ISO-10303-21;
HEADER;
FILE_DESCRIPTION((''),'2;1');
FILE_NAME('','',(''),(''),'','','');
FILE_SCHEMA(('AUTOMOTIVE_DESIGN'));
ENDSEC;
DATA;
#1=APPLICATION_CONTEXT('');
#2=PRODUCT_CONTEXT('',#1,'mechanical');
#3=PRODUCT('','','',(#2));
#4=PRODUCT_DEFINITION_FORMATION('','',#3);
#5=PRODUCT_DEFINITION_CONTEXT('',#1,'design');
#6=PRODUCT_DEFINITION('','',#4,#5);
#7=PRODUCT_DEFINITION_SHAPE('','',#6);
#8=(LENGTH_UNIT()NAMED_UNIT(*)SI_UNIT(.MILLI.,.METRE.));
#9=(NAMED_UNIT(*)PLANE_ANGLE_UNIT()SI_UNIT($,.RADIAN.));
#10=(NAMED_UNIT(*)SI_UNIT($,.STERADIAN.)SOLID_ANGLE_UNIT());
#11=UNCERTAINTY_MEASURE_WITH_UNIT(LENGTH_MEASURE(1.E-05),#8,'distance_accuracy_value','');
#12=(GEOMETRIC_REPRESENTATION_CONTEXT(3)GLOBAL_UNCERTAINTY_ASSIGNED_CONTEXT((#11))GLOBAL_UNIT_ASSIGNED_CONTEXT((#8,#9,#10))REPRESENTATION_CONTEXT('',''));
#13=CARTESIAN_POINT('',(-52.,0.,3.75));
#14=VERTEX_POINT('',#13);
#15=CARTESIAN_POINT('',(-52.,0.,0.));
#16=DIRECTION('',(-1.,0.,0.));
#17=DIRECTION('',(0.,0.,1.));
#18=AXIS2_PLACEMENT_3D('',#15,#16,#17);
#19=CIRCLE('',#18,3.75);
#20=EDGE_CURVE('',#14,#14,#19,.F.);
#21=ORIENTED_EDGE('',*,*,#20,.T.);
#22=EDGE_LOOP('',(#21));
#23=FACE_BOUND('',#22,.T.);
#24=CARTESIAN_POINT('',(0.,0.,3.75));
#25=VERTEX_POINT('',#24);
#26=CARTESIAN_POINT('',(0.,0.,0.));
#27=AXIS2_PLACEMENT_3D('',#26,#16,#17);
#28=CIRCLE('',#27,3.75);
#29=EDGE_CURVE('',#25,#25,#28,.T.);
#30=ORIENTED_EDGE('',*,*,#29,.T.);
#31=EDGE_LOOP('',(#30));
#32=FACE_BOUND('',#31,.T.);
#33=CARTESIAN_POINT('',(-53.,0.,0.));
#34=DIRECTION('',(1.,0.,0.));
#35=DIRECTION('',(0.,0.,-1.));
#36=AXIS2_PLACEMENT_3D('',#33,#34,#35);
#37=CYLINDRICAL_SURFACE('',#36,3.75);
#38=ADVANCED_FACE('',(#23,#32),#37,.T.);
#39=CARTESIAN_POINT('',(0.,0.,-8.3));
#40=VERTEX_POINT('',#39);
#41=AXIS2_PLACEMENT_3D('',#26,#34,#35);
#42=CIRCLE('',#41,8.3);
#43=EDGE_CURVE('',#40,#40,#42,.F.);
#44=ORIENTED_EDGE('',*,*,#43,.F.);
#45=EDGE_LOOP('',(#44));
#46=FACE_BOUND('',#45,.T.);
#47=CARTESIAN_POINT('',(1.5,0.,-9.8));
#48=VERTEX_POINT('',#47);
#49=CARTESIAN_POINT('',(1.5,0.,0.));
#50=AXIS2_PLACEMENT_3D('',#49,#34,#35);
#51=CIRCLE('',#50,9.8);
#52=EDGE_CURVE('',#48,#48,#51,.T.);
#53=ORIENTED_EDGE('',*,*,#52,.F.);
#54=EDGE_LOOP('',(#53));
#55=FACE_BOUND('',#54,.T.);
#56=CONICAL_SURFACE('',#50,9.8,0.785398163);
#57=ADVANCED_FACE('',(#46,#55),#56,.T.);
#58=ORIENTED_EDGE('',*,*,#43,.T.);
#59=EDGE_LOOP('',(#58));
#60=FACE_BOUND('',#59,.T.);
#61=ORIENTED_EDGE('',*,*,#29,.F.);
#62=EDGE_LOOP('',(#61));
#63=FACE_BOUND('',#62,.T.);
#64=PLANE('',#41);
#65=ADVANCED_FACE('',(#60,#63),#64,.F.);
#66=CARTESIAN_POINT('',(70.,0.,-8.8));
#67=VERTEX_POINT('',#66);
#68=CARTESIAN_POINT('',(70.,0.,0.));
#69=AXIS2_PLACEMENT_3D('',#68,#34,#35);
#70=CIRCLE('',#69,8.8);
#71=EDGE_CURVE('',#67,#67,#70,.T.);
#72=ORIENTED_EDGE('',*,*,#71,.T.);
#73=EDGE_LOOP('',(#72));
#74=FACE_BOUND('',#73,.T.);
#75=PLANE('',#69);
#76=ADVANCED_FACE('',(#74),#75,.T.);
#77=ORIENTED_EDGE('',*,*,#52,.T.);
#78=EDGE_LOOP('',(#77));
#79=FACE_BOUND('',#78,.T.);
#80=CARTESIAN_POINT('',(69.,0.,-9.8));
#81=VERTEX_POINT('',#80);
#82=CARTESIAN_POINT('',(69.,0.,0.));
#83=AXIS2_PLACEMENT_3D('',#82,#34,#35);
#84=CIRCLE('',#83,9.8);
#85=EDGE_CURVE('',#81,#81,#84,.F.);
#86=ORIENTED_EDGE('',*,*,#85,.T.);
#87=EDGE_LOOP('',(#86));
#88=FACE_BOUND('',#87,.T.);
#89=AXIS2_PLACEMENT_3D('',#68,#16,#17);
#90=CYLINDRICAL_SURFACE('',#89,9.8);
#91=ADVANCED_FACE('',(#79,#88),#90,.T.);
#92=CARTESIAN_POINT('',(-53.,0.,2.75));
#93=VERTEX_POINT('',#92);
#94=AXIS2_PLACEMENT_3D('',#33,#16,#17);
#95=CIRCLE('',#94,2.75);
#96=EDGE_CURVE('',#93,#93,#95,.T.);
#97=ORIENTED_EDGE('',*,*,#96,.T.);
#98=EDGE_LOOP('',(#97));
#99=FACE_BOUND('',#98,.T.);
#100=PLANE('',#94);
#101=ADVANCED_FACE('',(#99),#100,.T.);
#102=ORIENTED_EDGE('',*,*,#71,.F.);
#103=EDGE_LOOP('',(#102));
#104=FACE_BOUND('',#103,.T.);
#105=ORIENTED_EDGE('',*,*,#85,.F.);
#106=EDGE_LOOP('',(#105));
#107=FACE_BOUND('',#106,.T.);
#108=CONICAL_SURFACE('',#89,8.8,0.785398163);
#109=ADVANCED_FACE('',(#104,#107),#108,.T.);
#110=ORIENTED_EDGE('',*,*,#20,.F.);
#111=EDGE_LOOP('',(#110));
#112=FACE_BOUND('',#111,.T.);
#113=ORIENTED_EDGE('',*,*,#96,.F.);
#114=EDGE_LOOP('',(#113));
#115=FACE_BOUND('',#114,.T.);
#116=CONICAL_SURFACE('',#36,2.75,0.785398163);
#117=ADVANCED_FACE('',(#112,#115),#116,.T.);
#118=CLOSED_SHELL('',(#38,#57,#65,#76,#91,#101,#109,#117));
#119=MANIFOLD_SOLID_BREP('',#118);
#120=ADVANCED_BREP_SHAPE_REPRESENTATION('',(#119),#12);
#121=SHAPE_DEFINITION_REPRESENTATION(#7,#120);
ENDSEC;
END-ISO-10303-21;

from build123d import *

# Parameters (mm, degrees)
SKETCH_1_R      = 9.8
EXTRUDE_1_DEPTH = 70
SKETCH_2_R      = 3.75
EXTRUDE_2_DEPTH = 53
CHAMFER_1_SIZE  = 1.5
CHAMFER_2_SIZE  = 1
CHAMFER_3_SIZE  = 1


with BuildPart() as part:
    # 草图1 → 凸台-拉伸1 (new body)
    with BuildSketch(Plane(origin=(0, 0, 0), x_dir=(0, 0, -1), z_dir=(1, 0, 0))):
        Circle(SKETCH_1_R)
    extrude(amount=EXTRUDE_1_DEPTH)

    # 草图2 → 凸台-拉伸2 (add)
    with BuildSketch(Plane.ZY):
        Circle(SKETCH_2_R)
    extrude(amount=EXTRUDE_2_DEPTH)

    # 倒角1
    chamfer_1_edges = [part.edges().sort_by_distance(p)[0] for p in [
        (0, 0, 9.8),
    ]]
    chamfer(chamfer_1_edges, length=CHAMFER_1_SIZE)

    # 倒角2
    chamfer_2_edges = [part.edges().sort_by_distance(p)[0] for p in [
        (-53, 0, -3.75),
    ]]
    chamfer(chamfer_2_edges, length=CHAMFER_2_SIZE)

    # 倒角3
    chamfer_3_edges = [part.edges().sort_by_distance(p)[0] for p in [
        (70, 0, 9.8),
    ]]
    chamfer(chamfer_3_edges, length=CHAMFER_3_SIZE)


solid = part.part
